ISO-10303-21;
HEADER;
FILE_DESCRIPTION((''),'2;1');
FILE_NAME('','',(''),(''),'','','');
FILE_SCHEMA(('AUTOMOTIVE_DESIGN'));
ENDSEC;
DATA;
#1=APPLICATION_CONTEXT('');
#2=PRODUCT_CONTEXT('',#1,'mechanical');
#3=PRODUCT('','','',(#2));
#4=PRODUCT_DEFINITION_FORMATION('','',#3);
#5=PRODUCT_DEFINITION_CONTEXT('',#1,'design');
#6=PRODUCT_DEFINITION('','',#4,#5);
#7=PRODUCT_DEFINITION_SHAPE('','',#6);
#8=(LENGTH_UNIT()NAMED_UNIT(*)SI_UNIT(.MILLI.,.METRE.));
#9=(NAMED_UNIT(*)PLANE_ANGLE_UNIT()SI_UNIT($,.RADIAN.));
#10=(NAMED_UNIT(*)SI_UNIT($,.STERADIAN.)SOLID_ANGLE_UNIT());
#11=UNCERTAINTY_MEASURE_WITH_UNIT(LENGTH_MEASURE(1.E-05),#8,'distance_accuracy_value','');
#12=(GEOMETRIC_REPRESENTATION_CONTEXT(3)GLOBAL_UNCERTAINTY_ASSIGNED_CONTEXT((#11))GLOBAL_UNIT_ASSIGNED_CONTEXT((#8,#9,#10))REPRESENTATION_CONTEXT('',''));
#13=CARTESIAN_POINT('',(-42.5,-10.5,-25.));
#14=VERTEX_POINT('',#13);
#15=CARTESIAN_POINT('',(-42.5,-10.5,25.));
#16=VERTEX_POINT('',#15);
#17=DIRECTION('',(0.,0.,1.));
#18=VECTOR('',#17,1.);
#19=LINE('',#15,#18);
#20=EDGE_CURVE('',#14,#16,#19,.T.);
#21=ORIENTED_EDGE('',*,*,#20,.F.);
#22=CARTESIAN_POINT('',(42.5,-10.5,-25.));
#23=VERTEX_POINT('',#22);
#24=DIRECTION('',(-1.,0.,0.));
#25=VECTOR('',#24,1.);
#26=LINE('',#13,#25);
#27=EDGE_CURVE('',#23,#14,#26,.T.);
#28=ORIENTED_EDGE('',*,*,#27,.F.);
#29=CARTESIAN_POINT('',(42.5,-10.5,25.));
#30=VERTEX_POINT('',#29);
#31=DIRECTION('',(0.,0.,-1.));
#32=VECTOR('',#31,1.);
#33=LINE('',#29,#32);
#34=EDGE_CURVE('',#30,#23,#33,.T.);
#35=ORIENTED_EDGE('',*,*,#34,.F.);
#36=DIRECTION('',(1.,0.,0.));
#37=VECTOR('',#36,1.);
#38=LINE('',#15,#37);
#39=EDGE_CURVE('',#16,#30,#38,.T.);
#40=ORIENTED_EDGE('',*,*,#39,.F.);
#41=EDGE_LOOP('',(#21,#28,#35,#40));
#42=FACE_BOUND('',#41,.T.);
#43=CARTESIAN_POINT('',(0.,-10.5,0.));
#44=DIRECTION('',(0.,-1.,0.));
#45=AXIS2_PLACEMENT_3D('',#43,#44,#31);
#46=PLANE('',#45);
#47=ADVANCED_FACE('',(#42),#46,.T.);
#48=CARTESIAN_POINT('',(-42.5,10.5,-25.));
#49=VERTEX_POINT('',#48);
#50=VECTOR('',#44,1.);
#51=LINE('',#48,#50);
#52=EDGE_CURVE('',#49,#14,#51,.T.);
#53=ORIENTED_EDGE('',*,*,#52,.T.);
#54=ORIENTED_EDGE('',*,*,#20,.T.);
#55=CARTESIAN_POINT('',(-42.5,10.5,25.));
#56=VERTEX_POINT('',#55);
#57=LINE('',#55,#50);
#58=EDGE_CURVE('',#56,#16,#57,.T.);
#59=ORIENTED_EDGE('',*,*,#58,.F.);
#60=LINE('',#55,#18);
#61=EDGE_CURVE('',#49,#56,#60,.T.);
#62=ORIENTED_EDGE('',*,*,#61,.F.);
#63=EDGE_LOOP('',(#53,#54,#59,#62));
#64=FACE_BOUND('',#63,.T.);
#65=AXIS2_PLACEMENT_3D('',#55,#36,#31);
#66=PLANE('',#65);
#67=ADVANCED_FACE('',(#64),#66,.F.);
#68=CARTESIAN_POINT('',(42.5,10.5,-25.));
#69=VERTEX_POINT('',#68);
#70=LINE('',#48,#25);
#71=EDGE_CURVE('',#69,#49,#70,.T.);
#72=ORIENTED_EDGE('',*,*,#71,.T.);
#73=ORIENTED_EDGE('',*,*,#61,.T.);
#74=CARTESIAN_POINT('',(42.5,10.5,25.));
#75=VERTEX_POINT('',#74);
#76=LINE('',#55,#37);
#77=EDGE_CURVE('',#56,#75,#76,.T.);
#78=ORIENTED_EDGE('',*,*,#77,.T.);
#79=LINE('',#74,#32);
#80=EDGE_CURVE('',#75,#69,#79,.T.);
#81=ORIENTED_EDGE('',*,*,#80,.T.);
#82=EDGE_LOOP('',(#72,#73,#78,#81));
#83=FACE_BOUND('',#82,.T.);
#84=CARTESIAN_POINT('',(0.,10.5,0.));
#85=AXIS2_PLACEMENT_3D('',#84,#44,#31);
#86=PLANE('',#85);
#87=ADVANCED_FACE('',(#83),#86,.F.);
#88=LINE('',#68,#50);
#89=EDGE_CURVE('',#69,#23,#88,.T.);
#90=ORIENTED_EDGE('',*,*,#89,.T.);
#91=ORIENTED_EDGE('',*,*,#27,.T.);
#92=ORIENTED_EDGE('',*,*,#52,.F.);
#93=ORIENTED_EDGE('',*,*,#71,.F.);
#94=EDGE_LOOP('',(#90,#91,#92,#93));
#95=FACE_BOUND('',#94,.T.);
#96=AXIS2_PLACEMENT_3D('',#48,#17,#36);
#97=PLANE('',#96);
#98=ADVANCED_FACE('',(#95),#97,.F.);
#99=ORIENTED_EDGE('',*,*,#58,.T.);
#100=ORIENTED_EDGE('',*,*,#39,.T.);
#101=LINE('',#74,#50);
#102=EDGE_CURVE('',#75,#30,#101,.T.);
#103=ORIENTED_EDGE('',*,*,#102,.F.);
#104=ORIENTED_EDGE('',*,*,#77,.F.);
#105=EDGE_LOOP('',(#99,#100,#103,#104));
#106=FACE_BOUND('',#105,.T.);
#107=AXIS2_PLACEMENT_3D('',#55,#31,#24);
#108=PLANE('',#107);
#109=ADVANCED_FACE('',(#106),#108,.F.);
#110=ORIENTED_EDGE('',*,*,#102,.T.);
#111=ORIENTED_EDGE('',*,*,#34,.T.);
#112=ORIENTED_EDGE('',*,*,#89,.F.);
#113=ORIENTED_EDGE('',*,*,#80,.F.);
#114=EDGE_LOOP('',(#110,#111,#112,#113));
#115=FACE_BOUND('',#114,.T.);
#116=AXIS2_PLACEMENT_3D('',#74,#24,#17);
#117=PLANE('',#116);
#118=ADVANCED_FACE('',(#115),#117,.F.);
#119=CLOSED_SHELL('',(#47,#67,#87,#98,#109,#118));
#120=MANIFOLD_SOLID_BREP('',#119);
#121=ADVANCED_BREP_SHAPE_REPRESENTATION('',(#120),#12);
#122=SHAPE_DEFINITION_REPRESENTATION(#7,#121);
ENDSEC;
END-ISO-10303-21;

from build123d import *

# Parameters (mm, degrees)
SKETCH2_W           = 85
SKETCH2_H           = 50
BOSS_EXTRUDE1_DEPTH = 10.5


with BuildPart() as part:
    # Sketch2 → Boss-Extrude1 (new body, symmetric)
    with BuildSketch(Plane(origin=(0, 0, 0), x_dir=(1, 0, 0), z_dir=(0, 1, 0))):
        Rectangle(SKETCH2_W, SKETCH2_H)
    extrude(amount=BOSS_EXTRUDE1_DEPTH, both=True)


solid = part.part
